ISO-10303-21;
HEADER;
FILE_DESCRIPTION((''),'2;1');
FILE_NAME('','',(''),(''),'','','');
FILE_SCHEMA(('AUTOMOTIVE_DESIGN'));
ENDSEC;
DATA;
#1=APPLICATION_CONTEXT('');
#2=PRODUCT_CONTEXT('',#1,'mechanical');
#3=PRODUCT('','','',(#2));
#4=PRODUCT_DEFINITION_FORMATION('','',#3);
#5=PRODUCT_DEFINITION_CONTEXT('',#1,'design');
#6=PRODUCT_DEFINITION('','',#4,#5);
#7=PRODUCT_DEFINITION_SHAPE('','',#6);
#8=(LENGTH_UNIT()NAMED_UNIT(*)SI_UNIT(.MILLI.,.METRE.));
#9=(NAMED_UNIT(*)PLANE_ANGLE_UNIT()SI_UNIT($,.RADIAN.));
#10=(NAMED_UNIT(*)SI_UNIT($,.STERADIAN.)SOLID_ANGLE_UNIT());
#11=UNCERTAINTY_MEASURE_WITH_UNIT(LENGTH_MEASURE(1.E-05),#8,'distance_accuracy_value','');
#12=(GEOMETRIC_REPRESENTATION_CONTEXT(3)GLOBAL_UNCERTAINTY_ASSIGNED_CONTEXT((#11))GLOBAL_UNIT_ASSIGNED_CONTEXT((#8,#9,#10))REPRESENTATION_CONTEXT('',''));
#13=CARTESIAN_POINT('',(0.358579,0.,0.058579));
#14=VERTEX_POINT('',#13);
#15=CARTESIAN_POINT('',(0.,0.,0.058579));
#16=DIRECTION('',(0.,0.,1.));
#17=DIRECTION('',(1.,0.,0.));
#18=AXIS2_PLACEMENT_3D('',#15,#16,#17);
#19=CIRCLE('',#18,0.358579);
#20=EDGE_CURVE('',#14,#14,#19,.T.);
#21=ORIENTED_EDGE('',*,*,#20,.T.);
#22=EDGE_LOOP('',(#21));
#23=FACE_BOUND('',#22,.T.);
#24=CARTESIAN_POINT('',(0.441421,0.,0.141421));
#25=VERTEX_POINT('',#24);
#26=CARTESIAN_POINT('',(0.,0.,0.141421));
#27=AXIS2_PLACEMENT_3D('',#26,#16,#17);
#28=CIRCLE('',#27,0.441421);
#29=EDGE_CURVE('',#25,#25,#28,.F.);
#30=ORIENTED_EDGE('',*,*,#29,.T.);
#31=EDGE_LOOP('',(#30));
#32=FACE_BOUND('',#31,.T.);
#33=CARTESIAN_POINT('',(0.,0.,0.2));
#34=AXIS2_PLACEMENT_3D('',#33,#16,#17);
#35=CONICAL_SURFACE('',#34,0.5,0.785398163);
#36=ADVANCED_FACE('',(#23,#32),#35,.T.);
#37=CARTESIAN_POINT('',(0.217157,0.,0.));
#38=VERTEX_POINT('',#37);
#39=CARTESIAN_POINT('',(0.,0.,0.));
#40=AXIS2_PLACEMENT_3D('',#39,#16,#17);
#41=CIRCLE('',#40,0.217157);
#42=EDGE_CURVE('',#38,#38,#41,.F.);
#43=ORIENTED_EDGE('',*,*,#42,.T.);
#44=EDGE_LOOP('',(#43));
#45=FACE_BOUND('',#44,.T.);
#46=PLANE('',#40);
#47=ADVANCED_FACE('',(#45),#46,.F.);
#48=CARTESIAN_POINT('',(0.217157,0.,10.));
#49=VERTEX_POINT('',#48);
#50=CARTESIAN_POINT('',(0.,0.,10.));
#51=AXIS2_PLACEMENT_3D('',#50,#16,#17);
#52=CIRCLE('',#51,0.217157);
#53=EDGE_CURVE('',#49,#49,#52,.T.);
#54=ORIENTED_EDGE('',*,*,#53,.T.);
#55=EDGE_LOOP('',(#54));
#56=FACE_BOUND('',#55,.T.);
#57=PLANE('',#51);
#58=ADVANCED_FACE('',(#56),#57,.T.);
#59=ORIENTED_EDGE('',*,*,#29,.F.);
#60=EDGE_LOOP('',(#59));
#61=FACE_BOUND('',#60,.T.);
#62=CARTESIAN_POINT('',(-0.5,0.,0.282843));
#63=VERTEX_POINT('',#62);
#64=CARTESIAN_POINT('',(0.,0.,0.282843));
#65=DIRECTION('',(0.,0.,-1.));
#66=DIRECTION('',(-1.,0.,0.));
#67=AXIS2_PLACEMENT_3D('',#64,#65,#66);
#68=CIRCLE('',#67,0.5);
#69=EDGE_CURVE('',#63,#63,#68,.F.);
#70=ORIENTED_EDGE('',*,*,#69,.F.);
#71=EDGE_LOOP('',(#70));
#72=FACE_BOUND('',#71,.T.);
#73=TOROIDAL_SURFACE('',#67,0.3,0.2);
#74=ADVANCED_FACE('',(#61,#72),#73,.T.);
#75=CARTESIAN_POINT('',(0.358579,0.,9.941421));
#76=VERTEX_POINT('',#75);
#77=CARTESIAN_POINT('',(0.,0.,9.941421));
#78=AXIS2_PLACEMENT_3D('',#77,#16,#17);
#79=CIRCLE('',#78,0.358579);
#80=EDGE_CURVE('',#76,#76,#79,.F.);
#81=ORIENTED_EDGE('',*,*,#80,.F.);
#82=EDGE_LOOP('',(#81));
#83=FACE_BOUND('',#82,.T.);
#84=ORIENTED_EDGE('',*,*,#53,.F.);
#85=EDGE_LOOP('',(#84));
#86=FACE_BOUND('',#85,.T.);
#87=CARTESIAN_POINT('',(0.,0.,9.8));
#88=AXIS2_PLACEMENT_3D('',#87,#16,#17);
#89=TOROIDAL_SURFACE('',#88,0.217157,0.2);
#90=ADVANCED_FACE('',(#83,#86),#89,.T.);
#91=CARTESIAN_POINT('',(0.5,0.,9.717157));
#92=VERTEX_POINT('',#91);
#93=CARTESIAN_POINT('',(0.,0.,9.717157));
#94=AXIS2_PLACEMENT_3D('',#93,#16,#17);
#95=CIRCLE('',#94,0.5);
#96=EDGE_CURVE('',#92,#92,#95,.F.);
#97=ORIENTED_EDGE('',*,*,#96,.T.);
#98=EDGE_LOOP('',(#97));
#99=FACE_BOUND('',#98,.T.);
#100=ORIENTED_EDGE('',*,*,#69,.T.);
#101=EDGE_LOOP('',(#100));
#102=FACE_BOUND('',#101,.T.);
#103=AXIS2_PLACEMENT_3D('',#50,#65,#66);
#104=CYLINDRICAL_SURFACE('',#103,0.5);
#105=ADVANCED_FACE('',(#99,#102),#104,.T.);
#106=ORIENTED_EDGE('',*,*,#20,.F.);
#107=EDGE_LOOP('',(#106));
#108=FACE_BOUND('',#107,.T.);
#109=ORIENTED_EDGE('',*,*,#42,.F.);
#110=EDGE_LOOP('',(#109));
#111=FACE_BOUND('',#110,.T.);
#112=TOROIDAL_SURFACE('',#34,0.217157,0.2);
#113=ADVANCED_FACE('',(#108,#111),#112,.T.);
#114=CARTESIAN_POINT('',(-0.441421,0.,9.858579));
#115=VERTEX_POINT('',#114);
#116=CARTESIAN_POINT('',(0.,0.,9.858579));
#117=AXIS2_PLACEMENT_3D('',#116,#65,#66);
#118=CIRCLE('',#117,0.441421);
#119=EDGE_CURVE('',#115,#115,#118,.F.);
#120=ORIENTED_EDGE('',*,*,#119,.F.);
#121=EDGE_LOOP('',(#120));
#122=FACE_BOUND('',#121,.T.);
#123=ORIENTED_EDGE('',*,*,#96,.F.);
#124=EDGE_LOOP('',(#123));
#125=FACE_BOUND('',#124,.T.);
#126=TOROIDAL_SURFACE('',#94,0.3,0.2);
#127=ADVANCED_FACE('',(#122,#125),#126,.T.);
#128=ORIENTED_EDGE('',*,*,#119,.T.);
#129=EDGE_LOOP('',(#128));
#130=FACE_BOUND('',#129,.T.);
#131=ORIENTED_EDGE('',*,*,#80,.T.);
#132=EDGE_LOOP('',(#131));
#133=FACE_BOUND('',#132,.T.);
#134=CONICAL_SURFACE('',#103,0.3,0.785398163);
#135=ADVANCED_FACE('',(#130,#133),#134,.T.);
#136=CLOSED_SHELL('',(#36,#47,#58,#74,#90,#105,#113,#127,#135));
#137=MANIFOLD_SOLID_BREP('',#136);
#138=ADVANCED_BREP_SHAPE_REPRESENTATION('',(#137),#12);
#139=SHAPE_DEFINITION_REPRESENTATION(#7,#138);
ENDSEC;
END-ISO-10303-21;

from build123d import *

# Parameters (mm, degrees)
SKETCH2_R           = 0.5
BOSS_EXTRUDE1_DEPTH = 10
CHAMFER1_SIZE       = 0.2
FILLET1_R           = 0.2
FILLET2_R           = 0.2
FILLET3_R           = 0.2


with BuildPart() as part:
    # Sketch2 → Boss-Extrude1 (new body)
    with BuildSketch(Plane.XY):
        Circle(SKETCH2_R)
    extrude(amount=BOSS_EXTRUDE1_DEPTH)

    # Chamfer1
    chamfer1_edges = [part.edges().sort_by_distance(p)[0] for p in [
        (-0.5, 0, 0),
        (-0.5, 0, 10),
    ]]
    chamfer(chamfer1_edges, length=CHAMFER1_SIZE)

    # Fillet1
    fillet1_edges = [part.edges().sort_by_distance(p)[0] for p in [
        (-0.5, 0, 0.2),
    ]]
    fillet(fillet1_edges, radius=FILLET1_R)

    # Fillet2
    fillet2_edges = [part.edges().sort_by_distance(p)[0] for p in [
        (-0.3, 0, 0),
    ]]
    fillet(fillet2_edges, radius=FILLET2_R)

    # Fillet3
    fillet3_edges = [part.edges().sort_by_distance(p)[0] for p in [
        (-0.5, 0, 9.8),
        (-0.3, 0, 10),
    ]]
    fillet(fillet3_edges, radius=FILLET3_R)


solid = part.part
